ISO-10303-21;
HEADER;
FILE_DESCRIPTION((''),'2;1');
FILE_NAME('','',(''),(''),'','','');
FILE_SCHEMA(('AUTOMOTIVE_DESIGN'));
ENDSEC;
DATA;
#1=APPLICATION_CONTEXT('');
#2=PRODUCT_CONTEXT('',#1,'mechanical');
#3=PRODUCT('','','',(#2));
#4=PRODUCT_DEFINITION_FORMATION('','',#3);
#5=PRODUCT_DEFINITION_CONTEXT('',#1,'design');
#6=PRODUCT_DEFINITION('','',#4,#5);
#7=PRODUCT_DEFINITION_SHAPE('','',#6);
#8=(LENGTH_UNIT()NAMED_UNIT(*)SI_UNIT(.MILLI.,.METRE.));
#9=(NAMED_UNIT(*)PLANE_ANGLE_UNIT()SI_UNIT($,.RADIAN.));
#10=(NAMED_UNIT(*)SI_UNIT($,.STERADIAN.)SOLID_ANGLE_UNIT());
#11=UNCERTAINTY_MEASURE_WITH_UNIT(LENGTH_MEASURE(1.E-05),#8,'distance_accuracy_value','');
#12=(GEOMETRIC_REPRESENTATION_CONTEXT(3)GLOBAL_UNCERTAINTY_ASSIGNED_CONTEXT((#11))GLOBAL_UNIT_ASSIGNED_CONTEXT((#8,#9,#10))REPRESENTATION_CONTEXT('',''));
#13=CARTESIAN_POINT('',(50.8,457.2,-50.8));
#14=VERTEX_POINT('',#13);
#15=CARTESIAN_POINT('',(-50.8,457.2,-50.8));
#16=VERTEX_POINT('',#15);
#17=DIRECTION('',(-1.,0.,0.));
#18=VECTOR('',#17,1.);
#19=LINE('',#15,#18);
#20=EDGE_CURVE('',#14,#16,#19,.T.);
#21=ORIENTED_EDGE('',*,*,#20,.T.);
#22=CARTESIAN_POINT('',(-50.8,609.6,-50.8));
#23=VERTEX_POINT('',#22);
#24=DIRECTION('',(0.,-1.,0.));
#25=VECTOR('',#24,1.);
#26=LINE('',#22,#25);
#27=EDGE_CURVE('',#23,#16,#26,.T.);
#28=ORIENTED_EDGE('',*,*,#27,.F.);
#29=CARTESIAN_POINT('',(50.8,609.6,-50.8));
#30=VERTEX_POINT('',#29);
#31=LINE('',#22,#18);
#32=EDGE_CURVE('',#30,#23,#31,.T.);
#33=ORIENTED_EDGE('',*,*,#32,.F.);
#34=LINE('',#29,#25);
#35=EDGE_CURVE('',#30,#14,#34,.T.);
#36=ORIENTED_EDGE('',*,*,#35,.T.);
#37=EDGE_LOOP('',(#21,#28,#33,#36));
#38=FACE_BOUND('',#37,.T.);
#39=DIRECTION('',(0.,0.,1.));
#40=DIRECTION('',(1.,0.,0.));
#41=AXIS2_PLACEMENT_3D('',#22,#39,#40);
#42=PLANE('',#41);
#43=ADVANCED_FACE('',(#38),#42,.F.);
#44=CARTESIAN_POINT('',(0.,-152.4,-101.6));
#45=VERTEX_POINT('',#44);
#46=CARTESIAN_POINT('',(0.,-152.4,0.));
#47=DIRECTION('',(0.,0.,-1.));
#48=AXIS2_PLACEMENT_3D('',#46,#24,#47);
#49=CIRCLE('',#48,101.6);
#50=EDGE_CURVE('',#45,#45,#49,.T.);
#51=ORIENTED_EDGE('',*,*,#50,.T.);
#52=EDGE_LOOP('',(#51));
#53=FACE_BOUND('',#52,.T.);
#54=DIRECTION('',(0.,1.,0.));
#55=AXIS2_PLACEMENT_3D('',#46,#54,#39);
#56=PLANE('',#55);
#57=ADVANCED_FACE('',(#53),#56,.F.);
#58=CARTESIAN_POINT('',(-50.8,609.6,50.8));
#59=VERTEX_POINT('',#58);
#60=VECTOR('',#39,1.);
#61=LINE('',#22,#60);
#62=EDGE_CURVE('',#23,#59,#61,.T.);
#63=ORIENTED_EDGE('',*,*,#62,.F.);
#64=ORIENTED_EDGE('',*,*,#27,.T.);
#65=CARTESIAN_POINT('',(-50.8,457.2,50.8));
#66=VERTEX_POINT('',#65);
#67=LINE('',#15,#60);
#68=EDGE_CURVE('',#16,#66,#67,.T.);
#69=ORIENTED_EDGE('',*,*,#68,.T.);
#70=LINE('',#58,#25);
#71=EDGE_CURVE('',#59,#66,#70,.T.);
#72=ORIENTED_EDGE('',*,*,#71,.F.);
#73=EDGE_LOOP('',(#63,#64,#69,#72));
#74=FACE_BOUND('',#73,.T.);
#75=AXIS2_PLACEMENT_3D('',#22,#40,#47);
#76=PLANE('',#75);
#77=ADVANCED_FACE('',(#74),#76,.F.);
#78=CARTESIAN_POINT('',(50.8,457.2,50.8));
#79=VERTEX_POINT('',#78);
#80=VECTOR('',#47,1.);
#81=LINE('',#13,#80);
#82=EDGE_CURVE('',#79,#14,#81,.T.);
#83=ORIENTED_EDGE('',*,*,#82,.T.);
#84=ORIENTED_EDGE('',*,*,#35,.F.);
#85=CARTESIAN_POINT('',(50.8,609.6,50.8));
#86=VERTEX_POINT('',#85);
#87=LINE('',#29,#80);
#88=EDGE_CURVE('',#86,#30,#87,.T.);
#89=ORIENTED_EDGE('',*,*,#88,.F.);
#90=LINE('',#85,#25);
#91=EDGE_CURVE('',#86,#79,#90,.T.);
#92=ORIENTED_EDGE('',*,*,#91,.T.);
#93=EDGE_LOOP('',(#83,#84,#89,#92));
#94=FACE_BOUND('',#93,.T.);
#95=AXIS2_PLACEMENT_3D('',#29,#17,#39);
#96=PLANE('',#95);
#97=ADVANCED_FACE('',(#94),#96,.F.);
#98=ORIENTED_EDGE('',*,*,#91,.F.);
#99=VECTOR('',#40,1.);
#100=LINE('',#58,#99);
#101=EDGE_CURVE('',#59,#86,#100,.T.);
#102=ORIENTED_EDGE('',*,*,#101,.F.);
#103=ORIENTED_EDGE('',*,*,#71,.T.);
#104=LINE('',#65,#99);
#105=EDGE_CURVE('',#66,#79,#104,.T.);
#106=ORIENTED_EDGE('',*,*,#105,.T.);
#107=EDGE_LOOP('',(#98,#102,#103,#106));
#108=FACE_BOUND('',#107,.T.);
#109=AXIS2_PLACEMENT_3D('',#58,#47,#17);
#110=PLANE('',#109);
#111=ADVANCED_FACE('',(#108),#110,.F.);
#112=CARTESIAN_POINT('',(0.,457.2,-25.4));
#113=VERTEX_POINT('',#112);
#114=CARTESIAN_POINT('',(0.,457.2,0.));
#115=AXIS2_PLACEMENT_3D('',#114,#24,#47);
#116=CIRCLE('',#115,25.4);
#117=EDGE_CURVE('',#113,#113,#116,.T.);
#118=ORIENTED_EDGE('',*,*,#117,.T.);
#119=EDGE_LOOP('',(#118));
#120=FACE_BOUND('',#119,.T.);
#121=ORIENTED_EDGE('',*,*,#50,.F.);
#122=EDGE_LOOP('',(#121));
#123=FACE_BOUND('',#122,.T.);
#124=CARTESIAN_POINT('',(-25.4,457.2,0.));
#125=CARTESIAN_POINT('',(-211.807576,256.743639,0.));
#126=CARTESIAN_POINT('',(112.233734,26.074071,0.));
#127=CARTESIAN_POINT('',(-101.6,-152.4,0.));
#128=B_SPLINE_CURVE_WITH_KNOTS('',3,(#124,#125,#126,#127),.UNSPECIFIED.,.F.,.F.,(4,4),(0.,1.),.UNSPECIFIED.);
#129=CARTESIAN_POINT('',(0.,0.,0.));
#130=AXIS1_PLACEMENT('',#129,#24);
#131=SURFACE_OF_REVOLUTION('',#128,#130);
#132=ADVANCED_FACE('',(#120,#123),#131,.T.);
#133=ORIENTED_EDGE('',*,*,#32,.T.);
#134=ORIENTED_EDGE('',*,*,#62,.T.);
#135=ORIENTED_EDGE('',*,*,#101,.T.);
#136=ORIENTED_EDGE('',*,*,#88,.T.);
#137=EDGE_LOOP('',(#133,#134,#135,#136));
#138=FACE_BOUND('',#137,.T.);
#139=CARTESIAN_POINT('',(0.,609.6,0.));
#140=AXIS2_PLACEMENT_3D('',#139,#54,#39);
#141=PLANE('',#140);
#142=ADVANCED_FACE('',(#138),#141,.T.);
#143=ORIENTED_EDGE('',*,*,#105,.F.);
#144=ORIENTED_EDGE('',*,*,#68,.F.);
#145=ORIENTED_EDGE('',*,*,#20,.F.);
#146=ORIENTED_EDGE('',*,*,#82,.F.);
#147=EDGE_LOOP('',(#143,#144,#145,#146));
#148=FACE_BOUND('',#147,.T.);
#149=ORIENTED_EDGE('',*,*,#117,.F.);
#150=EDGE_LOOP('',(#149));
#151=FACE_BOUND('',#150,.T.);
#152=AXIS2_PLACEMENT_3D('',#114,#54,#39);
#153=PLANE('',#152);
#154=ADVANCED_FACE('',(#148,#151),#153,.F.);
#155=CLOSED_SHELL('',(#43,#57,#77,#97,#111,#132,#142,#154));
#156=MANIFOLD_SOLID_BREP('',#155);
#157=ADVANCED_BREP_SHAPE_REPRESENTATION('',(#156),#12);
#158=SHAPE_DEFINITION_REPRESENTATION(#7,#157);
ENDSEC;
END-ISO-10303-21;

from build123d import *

# Parameters (mm, degrees)
SKETCH10_W          = 101.6
SKETCH10_H          = 101.6
BOSS_EXTRUDE5_DEPTH = 152.4


with BuildPart() as part:
    # Sketch1 → Revolve3 (revolve)
    with BuildSketch(Plane.XY):
        with BuildLine():
            Line((0, 0), (0, -152.4))
            Line((0, -152.4), (-101.6, -152.4))
            add(Edge.make_bspline(
                [(-101.6, -152.4), (112.233734467, 26.074070803), (-211.807575975, 256.743639399), (-25.4, 457.2)],
                knots=[0, 0, 0, 0, 1, 1, 1, 1], degree=3))
            Line((-25.4, 457.2), (0, 457.2))
            Line((0, 457.2), (0, 0))
        make_face()
    revolve(axis=Axis((0, 0, 0), (0, 1, 0)))

    # Sketch10 → Boss-Extrude5 (add)
    with BuildSketch(Plane(origin=(0, 457.2, 0), x_dir=(1, 0, 0), z_dir=(0, 1, 0))):
        Rectangle(SKETCH10_W, SKETCH10_H)
    extrude(amount=BOSS_EXTRUDE5_DEPTH)


solid = part.part
